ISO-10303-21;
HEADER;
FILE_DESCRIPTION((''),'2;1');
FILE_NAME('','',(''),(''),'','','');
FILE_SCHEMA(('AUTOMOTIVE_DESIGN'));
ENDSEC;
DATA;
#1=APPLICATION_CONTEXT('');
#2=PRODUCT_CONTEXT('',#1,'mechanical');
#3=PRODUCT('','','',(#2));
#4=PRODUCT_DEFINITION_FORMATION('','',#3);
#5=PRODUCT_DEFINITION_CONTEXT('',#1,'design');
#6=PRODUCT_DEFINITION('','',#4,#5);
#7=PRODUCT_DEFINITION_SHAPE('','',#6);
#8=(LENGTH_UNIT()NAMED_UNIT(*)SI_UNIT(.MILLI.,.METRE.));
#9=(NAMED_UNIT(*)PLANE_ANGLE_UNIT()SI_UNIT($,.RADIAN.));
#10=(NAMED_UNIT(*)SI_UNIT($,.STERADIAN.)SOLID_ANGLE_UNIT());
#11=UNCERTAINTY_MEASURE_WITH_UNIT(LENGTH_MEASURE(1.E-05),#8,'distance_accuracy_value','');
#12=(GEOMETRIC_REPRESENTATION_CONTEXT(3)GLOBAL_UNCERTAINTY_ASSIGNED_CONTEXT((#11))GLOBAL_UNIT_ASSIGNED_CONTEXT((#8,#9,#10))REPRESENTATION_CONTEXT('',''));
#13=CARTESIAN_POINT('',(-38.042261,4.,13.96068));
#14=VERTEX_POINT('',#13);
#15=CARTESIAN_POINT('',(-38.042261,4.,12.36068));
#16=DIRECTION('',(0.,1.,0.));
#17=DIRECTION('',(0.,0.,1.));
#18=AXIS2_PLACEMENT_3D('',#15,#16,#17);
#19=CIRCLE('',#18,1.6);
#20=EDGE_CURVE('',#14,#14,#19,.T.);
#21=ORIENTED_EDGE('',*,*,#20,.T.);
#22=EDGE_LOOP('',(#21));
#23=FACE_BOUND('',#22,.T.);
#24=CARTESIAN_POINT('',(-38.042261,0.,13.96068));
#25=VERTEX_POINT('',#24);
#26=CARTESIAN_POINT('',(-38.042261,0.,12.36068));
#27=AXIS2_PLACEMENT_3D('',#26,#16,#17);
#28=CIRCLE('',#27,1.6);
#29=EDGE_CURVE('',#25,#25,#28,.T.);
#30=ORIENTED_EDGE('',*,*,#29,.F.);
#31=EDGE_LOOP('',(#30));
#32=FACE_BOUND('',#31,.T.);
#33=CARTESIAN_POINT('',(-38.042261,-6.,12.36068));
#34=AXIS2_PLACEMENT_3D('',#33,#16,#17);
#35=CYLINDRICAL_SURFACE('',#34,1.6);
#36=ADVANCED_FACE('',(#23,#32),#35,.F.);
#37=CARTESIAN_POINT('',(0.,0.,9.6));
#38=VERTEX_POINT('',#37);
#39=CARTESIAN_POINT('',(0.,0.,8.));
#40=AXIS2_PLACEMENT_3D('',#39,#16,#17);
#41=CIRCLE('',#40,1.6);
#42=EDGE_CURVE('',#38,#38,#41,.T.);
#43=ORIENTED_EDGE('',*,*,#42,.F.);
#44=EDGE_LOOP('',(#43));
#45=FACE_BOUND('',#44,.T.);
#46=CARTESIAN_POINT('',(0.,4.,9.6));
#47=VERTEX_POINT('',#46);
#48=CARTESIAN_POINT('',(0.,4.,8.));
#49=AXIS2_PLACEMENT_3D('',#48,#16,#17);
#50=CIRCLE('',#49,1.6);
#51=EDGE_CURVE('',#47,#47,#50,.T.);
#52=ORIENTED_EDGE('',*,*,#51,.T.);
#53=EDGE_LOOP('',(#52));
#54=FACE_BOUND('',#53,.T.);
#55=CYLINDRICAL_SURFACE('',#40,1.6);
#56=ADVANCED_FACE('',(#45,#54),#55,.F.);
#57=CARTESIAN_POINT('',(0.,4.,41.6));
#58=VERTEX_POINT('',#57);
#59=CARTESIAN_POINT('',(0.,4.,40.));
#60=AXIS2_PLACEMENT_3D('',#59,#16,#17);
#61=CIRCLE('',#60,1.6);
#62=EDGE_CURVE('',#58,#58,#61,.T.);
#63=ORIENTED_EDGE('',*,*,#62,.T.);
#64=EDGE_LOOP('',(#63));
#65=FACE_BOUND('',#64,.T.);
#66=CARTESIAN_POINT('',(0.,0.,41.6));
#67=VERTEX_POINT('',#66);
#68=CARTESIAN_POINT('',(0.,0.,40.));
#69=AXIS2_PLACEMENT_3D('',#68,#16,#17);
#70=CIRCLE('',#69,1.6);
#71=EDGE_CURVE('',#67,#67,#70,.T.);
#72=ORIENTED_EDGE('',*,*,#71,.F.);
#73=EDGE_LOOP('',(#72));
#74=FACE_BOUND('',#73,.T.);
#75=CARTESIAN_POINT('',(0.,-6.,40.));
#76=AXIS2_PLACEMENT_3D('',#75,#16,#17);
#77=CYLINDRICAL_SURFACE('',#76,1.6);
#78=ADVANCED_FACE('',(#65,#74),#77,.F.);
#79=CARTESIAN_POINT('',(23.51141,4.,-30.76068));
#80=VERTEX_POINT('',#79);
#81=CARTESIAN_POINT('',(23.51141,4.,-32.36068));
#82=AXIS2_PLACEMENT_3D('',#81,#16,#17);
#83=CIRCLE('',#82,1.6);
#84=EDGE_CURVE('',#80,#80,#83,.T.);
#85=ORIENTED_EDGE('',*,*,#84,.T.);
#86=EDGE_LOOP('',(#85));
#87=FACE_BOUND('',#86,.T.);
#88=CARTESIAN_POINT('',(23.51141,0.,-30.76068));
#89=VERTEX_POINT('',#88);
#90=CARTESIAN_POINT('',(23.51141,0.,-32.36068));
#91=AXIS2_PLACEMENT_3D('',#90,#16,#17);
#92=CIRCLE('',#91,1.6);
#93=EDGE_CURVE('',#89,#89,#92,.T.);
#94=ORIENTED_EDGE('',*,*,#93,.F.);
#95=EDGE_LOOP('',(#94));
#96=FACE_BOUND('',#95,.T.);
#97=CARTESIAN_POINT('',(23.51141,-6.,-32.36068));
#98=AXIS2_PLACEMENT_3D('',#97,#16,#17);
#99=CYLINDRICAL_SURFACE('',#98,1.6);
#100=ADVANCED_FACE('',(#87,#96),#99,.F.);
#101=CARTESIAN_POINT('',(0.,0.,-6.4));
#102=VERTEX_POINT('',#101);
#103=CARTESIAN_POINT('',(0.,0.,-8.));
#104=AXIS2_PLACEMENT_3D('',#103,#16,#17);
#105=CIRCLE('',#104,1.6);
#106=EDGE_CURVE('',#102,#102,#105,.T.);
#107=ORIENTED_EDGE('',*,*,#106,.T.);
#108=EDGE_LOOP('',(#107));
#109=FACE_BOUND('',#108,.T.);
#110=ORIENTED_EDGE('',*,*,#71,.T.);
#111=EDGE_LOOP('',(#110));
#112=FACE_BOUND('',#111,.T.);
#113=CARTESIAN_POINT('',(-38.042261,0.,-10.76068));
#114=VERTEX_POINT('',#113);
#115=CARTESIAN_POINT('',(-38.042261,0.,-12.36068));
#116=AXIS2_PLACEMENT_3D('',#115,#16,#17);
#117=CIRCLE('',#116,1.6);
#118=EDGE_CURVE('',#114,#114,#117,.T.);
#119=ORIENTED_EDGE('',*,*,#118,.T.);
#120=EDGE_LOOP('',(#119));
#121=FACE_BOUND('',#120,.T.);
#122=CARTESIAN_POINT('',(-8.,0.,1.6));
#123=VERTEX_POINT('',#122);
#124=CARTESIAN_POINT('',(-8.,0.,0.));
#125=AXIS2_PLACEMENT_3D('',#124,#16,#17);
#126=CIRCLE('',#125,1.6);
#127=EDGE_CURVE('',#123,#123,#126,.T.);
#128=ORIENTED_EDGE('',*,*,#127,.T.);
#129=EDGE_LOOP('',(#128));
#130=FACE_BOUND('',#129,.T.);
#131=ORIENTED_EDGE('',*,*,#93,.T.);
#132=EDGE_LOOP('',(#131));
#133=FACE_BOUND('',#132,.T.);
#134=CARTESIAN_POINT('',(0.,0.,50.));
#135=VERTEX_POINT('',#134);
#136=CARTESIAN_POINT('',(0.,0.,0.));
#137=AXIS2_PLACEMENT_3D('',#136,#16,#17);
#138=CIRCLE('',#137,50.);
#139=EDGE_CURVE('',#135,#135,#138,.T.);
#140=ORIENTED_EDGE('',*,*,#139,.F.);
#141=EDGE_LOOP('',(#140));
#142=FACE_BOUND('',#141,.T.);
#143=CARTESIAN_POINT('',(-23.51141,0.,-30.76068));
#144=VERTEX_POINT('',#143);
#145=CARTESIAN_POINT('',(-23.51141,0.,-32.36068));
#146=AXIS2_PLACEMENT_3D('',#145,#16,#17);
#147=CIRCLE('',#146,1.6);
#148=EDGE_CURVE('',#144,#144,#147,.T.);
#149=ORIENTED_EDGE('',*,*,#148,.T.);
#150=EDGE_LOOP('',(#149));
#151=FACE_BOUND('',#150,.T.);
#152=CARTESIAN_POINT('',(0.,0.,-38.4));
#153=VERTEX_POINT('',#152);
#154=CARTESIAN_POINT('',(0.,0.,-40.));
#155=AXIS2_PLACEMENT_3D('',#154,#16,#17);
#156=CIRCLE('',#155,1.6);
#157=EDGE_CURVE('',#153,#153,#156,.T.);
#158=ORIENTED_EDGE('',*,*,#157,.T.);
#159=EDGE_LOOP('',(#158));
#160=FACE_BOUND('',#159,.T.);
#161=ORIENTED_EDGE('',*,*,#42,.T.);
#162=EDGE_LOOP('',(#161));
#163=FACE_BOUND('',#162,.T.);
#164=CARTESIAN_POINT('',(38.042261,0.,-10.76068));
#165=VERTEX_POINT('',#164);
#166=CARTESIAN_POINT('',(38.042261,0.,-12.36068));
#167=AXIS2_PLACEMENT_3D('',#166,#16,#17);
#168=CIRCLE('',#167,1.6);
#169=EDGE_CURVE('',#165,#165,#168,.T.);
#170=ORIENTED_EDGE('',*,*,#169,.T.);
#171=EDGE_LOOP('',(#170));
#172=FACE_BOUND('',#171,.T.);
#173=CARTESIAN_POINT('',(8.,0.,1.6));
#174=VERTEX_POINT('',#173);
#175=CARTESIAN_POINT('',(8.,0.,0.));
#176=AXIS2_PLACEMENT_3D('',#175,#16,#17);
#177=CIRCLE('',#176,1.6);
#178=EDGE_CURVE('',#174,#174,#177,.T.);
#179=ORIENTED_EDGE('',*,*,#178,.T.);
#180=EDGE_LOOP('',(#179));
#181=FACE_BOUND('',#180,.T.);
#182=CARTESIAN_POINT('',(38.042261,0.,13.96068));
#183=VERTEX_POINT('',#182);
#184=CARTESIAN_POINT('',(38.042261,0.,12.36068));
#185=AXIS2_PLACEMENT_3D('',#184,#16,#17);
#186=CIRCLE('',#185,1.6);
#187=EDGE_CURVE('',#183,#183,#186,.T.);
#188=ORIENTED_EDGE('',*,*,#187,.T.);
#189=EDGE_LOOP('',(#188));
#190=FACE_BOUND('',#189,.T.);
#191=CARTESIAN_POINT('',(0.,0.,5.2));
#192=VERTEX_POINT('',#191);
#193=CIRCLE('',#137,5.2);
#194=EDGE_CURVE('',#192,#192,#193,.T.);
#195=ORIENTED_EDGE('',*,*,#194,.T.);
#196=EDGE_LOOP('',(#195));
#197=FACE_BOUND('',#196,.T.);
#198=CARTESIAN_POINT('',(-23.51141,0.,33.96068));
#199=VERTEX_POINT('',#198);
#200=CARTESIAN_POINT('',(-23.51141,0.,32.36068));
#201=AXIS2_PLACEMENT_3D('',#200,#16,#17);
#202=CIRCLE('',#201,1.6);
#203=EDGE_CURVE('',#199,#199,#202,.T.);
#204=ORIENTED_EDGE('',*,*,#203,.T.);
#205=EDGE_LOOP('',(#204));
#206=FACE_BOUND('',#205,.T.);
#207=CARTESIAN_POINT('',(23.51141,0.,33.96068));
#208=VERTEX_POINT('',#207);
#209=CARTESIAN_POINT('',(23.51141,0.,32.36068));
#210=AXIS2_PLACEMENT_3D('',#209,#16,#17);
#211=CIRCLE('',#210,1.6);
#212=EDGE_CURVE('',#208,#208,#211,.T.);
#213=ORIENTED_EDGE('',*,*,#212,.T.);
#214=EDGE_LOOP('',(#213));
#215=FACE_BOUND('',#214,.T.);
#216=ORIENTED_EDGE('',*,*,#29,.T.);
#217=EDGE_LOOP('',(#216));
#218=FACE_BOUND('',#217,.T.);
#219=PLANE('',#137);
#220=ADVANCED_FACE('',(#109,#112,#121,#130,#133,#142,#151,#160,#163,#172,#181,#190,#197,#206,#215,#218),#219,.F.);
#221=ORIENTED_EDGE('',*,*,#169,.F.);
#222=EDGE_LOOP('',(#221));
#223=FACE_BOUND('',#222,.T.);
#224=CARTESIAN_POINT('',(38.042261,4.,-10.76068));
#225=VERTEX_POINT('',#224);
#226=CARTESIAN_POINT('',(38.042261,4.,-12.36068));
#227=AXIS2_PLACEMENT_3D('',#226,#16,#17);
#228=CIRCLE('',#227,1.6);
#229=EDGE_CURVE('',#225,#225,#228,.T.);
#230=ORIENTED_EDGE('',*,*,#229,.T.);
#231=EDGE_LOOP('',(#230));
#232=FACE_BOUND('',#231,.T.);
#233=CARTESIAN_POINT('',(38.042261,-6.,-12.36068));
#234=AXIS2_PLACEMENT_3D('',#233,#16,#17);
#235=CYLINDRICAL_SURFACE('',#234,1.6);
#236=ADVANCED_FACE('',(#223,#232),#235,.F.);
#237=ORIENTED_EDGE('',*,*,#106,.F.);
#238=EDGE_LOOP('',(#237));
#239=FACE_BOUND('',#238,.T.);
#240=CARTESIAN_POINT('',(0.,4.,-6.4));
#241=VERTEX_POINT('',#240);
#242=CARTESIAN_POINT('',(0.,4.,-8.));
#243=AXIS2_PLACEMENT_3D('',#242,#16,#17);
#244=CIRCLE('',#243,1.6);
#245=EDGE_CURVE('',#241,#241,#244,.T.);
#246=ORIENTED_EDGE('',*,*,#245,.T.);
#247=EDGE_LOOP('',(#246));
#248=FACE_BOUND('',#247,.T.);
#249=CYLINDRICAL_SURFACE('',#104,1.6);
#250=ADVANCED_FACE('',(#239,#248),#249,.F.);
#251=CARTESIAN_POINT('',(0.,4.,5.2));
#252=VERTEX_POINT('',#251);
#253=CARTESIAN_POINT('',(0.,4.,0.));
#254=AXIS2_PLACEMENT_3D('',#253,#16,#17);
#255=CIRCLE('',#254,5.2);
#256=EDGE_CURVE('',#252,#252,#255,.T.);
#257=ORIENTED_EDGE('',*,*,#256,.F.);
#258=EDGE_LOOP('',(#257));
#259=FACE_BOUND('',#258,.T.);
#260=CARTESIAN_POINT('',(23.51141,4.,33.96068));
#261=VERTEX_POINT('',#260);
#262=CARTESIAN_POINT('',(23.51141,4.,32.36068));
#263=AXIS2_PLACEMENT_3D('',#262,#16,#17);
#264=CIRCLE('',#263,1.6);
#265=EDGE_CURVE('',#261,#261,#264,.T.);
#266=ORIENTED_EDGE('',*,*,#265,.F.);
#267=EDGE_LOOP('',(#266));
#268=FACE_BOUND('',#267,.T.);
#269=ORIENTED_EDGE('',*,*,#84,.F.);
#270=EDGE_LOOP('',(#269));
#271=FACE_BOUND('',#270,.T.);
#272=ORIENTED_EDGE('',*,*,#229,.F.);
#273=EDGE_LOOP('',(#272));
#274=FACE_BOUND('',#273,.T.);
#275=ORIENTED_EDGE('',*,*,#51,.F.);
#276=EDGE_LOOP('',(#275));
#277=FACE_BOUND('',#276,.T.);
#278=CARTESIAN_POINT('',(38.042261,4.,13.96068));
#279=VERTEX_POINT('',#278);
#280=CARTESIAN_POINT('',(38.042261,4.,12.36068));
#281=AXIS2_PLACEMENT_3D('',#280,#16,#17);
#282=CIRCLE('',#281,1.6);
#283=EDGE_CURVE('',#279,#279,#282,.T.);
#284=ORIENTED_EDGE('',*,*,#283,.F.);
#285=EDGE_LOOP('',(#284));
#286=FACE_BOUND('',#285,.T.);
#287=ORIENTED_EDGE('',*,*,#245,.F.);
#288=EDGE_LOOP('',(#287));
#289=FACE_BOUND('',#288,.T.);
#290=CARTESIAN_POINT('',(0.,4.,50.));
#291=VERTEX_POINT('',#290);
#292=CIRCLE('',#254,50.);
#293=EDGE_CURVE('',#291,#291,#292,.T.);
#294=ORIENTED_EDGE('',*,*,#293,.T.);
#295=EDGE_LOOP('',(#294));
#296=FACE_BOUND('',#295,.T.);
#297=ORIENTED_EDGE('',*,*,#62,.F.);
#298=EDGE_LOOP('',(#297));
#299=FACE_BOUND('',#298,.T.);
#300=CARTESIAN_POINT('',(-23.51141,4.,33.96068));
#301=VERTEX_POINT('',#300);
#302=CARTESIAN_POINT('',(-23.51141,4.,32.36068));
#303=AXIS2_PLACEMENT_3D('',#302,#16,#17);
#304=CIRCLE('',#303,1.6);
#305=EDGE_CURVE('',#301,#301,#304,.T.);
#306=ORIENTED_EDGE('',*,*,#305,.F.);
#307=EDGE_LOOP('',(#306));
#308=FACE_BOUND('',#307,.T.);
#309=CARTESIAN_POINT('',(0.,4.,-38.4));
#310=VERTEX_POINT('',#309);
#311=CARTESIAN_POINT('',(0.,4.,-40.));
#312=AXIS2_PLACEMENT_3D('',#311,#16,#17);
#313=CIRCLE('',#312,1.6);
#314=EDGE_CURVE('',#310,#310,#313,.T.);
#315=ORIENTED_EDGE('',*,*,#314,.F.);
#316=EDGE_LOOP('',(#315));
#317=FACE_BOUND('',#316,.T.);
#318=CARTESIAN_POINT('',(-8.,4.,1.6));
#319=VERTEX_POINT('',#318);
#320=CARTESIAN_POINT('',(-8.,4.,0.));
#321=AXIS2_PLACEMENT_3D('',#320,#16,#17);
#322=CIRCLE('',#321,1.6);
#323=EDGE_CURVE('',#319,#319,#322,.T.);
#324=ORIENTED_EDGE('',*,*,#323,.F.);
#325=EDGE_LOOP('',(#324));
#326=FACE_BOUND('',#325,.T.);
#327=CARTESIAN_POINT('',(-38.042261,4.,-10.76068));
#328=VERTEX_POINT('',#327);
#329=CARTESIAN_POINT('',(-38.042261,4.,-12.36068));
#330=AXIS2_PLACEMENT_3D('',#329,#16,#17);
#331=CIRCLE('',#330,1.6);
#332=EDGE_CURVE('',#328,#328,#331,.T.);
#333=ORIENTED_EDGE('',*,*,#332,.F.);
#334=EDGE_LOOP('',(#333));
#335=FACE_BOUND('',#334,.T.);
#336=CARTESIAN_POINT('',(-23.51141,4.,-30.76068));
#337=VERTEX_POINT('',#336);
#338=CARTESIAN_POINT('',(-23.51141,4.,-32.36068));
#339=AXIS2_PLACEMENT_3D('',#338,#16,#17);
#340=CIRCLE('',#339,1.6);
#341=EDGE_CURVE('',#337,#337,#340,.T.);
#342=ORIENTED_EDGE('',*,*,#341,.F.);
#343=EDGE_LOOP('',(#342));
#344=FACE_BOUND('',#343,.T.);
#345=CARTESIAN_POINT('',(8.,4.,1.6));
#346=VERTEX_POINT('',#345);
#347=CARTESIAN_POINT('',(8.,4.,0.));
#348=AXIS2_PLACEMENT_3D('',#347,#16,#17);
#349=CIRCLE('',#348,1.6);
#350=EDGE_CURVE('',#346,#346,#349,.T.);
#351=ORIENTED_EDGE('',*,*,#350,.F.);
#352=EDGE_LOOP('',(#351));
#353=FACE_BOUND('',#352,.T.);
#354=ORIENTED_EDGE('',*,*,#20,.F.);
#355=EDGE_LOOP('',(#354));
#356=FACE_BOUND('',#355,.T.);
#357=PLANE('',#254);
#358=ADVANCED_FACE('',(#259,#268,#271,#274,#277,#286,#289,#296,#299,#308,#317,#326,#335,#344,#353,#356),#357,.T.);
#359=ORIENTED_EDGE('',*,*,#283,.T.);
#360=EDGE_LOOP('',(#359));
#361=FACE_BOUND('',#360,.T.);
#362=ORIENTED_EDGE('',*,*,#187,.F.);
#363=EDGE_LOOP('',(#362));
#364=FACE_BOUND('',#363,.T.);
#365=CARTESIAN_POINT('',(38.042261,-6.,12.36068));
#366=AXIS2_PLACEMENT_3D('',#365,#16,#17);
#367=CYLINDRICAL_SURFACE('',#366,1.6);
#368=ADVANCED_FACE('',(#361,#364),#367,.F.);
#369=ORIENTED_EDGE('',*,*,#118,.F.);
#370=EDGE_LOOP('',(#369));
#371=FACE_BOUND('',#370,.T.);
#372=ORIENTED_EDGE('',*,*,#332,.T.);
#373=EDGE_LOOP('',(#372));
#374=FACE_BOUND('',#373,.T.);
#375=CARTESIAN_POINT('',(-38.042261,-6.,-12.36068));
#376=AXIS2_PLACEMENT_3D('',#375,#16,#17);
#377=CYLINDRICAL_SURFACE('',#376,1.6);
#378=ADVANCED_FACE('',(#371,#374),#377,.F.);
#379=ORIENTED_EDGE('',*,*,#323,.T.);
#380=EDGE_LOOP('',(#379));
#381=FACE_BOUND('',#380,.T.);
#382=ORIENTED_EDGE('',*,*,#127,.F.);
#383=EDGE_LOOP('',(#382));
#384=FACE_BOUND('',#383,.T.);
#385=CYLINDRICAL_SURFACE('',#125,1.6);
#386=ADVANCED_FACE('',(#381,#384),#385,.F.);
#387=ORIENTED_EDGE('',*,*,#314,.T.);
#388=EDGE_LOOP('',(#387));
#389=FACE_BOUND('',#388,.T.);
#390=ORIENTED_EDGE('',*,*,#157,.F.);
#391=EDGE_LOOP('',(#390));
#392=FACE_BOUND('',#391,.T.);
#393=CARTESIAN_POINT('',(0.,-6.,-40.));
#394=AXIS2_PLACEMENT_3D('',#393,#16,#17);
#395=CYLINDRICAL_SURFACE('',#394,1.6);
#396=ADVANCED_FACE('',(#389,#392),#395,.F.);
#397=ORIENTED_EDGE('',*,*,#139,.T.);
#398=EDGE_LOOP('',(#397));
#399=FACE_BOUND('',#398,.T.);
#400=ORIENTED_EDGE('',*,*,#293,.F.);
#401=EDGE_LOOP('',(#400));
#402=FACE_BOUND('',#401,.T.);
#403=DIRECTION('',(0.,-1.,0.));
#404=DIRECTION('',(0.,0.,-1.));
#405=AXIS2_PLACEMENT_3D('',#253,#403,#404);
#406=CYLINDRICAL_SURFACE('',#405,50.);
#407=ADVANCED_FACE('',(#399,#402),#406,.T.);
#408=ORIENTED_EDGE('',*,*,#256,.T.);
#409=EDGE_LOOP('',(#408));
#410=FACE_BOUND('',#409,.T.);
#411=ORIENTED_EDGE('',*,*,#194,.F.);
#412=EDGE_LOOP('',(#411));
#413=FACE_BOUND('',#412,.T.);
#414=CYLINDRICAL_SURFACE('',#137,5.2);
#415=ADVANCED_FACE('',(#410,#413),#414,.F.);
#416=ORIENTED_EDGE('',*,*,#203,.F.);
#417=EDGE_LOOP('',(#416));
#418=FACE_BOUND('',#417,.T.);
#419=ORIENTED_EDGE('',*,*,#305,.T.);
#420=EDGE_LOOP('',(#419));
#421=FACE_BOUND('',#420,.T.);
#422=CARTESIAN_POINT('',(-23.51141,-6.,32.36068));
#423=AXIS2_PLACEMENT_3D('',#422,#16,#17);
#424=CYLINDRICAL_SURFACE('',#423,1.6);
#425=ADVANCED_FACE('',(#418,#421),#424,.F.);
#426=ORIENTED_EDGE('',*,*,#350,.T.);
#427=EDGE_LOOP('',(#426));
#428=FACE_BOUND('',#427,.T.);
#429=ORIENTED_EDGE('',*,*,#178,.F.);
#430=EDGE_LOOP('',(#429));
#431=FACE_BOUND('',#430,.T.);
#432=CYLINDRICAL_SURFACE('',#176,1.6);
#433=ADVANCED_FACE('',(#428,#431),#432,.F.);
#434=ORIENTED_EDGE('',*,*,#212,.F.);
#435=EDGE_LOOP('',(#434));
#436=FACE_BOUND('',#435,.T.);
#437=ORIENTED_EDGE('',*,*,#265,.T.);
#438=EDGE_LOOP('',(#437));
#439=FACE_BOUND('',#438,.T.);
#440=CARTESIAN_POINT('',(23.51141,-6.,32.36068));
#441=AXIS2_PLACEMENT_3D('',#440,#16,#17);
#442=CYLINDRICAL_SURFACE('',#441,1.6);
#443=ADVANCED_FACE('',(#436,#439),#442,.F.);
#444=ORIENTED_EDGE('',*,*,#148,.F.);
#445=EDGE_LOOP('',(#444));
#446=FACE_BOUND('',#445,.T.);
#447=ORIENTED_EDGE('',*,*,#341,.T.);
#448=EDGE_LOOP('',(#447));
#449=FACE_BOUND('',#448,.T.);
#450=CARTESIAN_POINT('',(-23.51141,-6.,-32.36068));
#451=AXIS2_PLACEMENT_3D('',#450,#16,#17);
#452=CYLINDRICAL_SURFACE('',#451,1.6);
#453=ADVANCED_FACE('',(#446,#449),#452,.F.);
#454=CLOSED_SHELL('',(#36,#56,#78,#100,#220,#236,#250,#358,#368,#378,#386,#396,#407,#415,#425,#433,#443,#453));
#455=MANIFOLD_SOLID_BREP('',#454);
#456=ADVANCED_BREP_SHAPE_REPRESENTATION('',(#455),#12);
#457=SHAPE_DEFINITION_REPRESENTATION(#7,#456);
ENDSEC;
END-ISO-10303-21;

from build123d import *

# Parameters (mm, degrees)
SKETCH_1_R          = 50
EXTRUDE_1_DEPTH     = 4
SKETCH_2_R          = 1.6
SKETCH_2_R_2        = 5.2
CUT_EXTRUDE_1_DEPTH = 4
SKETCH_3_R          = 1.6
CUT_EXTRUDE_2_DEPTH = 10


with BuildPart() as part:
    # 草图1 → 凸台-拉伸1 (new body)
    with BuildSketch(Plane(origin=(0, 0, 0), x_dir=(1, 0, 0), z_dir=(0, 1, 0))):
        with Locations(Location((0, 0, 0), (0, 0, 270))):
            Circle(SKETCH_1_R)
    extrude(amount=EXTRUDE_1_DEPTH)

    # 草图2 → 切除-拉伸1 (cut)
    with BuildSketch(Plane(origin=(0, 4, 0), x_dir=(1, 0, 0), z_dir=(0, 1, 0))):
        with Locations(Location((0, 8, 0), (0, 0, 270))):
            Circle(SKETCH_2_R)
        with Locations(Location((8, 0, 0), (0, 0, 270))):
            Circle(SKETCH_2_R)
        with Locations(Location((0, -8, 0), (0, 0, 270))):
            Circle(SKETCH_2_R)
        with Locations(Location((-8, 0, 0), (0, 0, 270))):
            Circle(SKETCH_2_R)
        with Locations(Location((0, 0, 0), (0, 0, 270))):
            Circle(SKETCH_2_R_2)
    extrude(amount=-CUT_EXTRUDE_1_DEPTH, mode=Mode.SUBTRACT)

    # 草图3 → 切除-拉伸2 (cut)
    with BuildSketch(Plane(origin=(0, 4, 0), x_dir=(1, 0, 0), z_dir=(0, 1, 0))):
        with Locations(Location((0, 40, 0), (0, 0, 270))):
            Circle(SKETCH_3_R)
        with Locations(Location((23.511410092, 32.360679775, 0), (0, 0, 270))):
            Circle(SKETCH_3_R)
        with Locations(Location((38.042260652, 12.360679775, 0), (0, 0, 270))):
            Circle(SKETCH_3_R)
        with Locations(Location((38.042260652, -12.360679775, 0), (0, 0, 270))):
            Circle(SKETCH_3_R)
        with Locations(Location((23.511410092, -32.360679775, 0), (0, 0, 270))):
            Circle(SKETCH_3_R)
        with Locations(Location((0, -40, 0), (0, 0, 270))):
            Circle(SKETCH_3_R)
        with Locations(Location((-23.511410092, -32.360679775, 0), (0, 0, 270))):
            Circle(SKETCH_3_R)
        with Locations(Location((-38.042260652, -12.360679775, 0), (0, 0, 270))):
            Circle(SKETCH_3_R)
        with Locations(Location((-38.042260652, 12.360679775, 0), (0, 0, 270))):
            Circle(SKETCH_3_R)
        with Locations(Location((-23.511410092, 32.360679775, 0), (0, 0, 270))):
            Circle(SKETCH_3_R)
    extrude(amount=-CUT_EXTRUDE_2_DEPTH, mode=Mode.SUBTRACT)


solid = part.part
